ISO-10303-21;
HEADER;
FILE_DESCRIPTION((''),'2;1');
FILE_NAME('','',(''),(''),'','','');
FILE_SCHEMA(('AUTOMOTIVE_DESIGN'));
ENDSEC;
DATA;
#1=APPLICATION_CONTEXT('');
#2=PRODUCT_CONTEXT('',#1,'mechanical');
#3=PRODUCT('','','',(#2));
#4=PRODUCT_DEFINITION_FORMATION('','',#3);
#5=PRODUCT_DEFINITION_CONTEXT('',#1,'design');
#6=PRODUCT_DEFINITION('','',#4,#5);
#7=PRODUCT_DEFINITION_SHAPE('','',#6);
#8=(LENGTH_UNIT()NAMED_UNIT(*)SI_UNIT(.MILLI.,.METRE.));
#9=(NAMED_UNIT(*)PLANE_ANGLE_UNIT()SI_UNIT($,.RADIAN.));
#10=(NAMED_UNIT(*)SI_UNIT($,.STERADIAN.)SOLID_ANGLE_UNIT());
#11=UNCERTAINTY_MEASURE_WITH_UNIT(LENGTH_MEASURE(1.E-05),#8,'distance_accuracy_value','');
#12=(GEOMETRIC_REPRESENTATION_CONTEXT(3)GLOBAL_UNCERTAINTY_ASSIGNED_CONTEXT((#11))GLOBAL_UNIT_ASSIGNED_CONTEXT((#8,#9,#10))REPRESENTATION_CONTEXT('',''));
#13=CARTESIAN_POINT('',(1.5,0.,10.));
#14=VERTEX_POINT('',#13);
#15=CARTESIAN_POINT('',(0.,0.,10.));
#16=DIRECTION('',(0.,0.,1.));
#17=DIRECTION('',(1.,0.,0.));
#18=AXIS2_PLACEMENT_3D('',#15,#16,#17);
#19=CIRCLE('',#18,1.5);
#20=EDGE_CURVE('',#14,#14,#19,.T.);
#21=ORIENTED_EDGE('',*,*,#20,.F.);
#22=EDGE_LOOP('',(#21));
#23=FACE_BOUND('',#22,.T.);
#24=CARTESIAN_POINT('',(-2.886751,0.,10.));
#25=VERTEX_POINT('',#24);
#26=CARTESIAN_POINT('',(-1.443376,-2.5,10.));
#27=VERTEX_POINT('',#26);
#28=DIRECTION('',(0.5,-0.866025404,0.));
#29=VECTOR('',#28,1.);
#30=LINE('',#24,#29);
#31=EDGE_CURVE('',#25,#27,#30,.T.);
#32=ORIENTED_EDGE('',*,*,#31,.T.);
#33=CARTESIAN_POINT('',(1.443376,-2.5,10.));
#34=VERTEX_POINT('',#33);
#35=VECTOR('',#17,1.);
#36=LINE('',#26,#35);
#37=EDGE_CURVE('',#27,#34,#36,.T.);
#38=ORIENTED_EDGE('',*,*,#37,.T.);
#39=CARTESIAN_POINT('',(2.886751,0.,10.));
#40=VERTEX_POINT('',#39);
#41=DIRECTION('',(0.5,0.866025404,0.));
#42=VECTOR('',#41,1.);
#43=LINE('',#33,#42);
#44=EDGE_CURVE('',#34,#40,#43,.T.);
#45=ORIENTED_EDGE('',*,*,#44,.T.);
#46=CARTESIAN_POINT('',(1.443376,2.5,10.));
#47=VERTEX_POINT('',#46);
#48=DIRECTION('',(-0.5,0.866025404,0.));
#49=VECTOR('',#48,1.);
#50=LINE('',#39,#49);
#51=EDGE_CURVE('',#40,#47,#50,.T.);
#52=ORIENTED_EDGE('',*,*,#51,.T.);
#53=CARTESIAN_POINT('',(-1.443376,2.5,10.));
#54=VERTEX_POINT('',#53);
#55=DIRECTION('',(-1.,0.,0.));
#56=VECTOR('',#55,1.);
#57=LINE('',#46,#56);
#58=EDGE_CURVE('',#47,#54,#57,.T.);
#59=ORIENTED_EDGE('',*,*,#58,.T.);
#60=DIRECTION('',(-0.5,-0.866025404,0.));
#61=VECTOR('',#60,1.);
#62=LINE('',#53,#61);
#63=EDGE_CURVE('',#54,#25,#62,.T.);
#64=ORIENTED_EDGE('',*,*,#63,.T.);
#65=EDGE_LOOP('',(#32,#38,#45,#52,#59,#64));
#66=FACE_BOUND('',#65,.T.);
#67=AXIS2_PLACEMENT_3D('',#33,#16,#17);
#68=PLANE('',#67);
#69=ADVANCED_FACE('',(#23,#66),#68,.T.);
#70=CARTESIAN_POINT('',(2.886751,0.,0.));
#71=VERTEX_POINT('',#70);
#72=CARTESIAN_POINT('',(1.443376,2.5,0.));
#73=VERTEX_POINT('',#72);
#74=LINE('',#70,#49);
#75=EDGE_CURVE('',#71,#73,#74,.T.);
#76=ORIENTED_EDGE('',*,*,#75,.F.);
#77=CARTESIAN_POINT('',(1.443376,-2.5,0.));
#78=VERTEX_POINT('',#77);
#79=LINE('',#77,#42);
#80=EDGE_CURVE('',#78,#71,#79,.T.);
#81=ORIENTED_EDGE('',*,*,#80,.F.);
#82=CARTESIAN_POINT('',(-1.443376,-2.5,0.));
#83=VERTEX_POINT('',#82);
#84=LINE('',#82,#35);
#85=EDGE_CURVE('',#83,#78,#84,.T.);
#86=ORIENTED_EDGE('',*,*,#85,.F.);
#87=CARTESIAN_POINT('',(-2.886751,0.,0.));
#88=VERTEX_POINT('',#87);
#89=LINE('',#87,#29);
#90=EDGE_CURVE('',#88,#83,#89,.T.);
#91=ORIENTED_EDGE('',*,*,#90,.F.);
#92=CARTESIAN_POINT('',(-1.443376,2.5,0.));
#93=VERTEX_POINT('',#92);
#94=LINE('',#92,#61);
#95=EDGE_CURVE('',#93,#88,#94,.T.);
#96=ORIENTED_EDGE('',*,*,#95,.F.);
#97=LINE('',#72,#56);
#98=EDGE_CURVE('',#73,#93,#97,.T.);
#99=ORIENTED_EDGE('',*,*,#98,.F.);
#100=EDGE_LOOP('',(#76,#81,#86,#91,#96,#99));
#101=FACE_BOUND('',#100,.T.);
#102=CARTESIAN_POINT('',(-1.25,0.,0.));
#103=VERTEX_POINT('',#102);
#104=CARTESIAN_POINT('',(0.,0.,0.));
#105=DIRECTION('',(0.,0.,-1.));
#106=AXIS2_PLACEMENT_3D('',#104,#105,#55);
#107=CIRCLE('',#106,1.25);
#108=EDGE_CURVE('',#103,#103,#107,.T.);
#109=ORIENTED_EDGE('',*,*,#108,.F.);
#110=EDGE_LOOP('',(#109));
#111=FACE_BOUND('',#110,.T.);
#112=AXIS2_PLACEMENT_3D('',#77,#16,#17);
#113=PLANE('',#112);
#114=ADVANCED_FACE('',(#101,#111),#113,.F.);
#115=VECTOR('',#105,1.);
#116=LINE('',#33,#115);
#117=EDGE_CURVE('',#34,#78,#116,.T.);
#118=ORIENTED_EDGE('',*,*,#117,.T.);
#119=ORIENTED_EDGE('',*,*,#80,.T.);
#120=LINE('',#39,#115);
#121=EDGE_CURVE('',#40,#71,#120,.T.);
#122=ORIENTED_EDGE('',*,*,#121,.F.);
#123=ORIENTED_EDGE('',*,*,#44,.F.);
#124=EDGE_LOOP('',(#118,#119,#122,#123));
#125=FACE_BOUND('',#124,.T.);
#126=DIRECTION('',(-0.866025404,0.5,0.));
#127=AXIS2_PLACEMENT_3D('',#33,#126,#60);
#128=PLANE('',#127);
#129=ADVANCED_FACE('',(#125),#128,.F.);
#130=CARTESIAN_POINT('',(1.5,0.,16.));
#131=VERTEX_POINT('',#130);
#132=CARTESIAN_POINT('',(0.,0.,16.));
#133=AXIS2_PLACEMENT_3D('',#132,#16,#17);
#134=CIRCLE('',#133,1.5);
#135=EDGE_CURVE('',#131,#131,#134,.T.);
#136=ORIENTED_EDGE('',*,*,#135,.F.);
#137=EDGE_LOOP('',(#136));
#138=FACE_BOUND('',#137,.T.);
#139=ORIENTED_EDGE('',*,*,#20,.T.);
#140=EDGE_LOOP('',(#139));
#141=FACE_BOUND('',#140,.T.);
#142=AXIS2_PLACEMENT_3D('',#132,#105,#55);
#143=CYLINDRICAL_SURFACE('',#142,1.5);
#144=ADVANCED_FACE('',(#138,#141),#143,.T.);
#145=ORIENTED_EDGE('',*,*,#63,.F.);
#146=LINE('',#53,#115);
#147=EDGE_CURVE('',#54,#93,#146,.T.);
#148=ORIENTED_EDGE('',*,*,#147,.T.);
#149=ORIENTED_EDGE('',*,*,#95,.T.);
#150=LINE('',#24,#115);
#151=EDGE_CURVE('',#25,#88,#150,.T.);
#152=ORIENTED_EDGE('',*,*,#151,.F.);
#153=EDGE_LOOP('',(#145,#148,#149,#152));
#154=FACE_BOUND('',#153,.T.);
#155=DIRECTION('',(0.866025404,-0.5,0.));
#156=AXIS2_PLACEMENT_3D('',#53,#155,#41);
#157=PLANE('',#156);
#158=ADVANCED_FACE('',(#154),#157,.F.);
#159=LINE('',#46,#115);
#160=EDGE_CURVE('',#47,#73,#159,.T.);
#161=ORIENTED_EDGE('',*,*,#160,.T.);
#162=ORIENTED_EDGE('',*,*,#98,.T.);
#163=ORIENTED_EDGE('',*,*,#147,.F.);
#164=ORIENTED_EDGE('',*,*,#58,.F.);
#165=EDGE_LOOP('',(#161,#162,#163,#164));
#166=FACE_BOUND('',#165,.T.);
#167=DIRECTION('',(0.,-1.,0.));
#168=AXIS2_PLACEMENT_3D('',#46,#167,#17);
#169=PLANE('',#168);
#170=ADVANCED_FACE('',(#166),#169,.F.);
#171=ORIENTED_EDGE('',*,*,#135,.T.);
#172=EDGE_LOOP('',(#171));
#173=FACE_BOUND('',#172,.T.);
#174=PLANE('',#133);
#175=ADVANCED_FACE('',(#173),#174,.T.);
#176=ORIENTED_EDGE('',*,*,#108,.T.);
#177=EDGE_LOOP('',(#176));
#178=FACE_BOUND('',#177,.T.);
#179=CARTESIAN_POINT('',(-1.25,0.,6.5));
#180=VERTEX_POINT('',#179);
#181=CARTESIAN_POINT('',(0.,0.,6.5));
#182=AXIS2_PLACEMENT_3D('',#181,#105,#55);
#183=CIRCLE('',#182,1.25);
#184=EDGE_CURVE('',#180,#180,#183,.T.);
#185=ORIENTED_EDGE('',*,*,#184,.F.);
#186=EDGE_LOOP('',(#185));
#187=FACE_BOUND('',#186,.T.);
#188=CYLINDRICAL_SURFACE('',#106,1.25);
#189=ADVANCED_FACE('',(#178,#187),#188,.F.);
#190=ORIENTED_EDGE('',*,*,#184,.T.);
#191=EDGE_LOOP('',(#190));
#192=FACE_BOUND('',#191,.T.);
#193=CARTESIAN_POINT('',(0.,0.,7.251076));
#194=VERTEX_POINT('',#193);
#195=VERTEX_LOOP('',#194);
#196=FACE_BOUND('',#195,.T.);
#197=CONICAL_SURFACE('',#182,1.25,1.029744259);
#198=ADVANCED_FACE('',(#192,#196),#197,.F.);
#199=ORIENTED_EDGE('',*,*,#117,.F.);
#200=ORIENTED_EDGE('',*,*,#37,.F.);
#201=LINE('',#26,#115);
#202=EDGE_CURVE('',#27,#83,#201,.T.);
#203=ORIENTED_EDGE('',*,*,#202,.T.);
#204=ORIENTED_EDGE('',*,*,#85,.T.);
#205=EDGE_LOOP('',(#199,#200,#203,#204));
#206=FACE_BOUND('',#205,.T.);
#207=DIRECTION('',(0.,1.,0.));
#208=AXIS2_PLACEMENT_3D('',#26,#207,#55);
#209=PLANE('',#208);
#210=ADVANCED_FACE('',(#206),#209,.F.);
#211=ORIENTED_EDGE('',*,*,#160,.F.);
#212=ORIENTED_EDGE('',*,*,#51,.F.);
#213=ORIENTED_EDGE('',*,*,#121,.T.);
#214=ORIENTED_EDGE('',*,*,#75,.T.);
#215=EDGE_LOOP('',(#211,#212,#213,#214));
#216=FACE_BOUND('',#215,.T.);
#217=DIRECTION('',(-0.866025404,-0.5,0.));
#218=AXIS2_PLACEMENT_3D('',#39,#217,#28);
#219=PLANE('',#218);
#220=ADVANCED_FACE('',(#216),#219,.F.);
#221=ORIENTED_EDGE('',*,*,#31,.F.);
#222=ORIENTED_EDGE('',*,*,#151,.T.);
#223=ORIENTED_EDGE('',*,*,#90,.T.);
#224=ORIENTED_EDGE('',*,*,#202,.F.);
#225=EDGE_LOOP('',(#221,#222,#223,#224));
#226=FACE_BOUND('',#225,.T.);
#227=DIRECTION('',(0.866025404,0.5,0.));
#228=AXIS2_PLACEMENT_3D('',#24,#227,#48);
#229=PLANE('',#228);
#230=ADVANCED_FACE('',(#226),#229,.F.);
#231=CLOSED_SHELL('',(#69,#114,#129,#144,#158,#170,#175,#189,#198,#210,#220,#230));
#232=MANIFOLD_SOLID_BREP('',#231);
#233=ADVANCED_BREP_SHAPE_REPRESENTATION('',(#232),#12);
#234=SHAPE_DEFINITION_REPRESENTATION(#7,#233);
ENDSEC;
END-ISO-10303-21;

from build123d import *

# Parameters (mm, degrees)
EXTRUDE_1_DEPTH = 10
SKETCH_2_R      = 1.5
EXTRUDE_2_DEPTH = 6
M3X0_5_1_D      = 2.5
M3X0_5_1_DEPTH  = 6.5
M3X0_5_1_TIP    = 0.751075774


with BuildPart() as part:
    # 草图1 → 拉伸1 (new body)
    with BuildSketch(Plane.XY):
        Polygon((1.443375673, -2.5), (2.886751346, 0), (1.443375673, 2.5), (-1.443375673, 2.5), (-2.886751346, 0), (-1.443375673, -2.5), align=None)
    extrude(amount=EXTRUDE_1_DEPTH)

    # 草图2 → 拉伸2 (add)
    with BuildSketch(Plane.XY.offset(10)):
        Circle(SKETCH_2_R)
    extrude(amount=EXTRUDE_2_DEPTH)

    # M3x0.5 螺纹孔1
    with Locations(Plane(origin=(0, 0, 0), x_dir=(-1, 0, 0), z_dir=(0, 0, -1))):
        with Locations((0, 0)):
            Hole(M3X0_5_1_D / 2, depth=M3X0_5_1_DEPTH)
            with Locations((0, 0, -(M3X0_5_1_DEPTH + M3X0_5_1_TIP / 2))):  # 118° drill point
                Cone(0, M3X0_5_1_D / 2, M3X0_5_1_TIP, mode=Mode.SUBTRACT)


solid = part.part
